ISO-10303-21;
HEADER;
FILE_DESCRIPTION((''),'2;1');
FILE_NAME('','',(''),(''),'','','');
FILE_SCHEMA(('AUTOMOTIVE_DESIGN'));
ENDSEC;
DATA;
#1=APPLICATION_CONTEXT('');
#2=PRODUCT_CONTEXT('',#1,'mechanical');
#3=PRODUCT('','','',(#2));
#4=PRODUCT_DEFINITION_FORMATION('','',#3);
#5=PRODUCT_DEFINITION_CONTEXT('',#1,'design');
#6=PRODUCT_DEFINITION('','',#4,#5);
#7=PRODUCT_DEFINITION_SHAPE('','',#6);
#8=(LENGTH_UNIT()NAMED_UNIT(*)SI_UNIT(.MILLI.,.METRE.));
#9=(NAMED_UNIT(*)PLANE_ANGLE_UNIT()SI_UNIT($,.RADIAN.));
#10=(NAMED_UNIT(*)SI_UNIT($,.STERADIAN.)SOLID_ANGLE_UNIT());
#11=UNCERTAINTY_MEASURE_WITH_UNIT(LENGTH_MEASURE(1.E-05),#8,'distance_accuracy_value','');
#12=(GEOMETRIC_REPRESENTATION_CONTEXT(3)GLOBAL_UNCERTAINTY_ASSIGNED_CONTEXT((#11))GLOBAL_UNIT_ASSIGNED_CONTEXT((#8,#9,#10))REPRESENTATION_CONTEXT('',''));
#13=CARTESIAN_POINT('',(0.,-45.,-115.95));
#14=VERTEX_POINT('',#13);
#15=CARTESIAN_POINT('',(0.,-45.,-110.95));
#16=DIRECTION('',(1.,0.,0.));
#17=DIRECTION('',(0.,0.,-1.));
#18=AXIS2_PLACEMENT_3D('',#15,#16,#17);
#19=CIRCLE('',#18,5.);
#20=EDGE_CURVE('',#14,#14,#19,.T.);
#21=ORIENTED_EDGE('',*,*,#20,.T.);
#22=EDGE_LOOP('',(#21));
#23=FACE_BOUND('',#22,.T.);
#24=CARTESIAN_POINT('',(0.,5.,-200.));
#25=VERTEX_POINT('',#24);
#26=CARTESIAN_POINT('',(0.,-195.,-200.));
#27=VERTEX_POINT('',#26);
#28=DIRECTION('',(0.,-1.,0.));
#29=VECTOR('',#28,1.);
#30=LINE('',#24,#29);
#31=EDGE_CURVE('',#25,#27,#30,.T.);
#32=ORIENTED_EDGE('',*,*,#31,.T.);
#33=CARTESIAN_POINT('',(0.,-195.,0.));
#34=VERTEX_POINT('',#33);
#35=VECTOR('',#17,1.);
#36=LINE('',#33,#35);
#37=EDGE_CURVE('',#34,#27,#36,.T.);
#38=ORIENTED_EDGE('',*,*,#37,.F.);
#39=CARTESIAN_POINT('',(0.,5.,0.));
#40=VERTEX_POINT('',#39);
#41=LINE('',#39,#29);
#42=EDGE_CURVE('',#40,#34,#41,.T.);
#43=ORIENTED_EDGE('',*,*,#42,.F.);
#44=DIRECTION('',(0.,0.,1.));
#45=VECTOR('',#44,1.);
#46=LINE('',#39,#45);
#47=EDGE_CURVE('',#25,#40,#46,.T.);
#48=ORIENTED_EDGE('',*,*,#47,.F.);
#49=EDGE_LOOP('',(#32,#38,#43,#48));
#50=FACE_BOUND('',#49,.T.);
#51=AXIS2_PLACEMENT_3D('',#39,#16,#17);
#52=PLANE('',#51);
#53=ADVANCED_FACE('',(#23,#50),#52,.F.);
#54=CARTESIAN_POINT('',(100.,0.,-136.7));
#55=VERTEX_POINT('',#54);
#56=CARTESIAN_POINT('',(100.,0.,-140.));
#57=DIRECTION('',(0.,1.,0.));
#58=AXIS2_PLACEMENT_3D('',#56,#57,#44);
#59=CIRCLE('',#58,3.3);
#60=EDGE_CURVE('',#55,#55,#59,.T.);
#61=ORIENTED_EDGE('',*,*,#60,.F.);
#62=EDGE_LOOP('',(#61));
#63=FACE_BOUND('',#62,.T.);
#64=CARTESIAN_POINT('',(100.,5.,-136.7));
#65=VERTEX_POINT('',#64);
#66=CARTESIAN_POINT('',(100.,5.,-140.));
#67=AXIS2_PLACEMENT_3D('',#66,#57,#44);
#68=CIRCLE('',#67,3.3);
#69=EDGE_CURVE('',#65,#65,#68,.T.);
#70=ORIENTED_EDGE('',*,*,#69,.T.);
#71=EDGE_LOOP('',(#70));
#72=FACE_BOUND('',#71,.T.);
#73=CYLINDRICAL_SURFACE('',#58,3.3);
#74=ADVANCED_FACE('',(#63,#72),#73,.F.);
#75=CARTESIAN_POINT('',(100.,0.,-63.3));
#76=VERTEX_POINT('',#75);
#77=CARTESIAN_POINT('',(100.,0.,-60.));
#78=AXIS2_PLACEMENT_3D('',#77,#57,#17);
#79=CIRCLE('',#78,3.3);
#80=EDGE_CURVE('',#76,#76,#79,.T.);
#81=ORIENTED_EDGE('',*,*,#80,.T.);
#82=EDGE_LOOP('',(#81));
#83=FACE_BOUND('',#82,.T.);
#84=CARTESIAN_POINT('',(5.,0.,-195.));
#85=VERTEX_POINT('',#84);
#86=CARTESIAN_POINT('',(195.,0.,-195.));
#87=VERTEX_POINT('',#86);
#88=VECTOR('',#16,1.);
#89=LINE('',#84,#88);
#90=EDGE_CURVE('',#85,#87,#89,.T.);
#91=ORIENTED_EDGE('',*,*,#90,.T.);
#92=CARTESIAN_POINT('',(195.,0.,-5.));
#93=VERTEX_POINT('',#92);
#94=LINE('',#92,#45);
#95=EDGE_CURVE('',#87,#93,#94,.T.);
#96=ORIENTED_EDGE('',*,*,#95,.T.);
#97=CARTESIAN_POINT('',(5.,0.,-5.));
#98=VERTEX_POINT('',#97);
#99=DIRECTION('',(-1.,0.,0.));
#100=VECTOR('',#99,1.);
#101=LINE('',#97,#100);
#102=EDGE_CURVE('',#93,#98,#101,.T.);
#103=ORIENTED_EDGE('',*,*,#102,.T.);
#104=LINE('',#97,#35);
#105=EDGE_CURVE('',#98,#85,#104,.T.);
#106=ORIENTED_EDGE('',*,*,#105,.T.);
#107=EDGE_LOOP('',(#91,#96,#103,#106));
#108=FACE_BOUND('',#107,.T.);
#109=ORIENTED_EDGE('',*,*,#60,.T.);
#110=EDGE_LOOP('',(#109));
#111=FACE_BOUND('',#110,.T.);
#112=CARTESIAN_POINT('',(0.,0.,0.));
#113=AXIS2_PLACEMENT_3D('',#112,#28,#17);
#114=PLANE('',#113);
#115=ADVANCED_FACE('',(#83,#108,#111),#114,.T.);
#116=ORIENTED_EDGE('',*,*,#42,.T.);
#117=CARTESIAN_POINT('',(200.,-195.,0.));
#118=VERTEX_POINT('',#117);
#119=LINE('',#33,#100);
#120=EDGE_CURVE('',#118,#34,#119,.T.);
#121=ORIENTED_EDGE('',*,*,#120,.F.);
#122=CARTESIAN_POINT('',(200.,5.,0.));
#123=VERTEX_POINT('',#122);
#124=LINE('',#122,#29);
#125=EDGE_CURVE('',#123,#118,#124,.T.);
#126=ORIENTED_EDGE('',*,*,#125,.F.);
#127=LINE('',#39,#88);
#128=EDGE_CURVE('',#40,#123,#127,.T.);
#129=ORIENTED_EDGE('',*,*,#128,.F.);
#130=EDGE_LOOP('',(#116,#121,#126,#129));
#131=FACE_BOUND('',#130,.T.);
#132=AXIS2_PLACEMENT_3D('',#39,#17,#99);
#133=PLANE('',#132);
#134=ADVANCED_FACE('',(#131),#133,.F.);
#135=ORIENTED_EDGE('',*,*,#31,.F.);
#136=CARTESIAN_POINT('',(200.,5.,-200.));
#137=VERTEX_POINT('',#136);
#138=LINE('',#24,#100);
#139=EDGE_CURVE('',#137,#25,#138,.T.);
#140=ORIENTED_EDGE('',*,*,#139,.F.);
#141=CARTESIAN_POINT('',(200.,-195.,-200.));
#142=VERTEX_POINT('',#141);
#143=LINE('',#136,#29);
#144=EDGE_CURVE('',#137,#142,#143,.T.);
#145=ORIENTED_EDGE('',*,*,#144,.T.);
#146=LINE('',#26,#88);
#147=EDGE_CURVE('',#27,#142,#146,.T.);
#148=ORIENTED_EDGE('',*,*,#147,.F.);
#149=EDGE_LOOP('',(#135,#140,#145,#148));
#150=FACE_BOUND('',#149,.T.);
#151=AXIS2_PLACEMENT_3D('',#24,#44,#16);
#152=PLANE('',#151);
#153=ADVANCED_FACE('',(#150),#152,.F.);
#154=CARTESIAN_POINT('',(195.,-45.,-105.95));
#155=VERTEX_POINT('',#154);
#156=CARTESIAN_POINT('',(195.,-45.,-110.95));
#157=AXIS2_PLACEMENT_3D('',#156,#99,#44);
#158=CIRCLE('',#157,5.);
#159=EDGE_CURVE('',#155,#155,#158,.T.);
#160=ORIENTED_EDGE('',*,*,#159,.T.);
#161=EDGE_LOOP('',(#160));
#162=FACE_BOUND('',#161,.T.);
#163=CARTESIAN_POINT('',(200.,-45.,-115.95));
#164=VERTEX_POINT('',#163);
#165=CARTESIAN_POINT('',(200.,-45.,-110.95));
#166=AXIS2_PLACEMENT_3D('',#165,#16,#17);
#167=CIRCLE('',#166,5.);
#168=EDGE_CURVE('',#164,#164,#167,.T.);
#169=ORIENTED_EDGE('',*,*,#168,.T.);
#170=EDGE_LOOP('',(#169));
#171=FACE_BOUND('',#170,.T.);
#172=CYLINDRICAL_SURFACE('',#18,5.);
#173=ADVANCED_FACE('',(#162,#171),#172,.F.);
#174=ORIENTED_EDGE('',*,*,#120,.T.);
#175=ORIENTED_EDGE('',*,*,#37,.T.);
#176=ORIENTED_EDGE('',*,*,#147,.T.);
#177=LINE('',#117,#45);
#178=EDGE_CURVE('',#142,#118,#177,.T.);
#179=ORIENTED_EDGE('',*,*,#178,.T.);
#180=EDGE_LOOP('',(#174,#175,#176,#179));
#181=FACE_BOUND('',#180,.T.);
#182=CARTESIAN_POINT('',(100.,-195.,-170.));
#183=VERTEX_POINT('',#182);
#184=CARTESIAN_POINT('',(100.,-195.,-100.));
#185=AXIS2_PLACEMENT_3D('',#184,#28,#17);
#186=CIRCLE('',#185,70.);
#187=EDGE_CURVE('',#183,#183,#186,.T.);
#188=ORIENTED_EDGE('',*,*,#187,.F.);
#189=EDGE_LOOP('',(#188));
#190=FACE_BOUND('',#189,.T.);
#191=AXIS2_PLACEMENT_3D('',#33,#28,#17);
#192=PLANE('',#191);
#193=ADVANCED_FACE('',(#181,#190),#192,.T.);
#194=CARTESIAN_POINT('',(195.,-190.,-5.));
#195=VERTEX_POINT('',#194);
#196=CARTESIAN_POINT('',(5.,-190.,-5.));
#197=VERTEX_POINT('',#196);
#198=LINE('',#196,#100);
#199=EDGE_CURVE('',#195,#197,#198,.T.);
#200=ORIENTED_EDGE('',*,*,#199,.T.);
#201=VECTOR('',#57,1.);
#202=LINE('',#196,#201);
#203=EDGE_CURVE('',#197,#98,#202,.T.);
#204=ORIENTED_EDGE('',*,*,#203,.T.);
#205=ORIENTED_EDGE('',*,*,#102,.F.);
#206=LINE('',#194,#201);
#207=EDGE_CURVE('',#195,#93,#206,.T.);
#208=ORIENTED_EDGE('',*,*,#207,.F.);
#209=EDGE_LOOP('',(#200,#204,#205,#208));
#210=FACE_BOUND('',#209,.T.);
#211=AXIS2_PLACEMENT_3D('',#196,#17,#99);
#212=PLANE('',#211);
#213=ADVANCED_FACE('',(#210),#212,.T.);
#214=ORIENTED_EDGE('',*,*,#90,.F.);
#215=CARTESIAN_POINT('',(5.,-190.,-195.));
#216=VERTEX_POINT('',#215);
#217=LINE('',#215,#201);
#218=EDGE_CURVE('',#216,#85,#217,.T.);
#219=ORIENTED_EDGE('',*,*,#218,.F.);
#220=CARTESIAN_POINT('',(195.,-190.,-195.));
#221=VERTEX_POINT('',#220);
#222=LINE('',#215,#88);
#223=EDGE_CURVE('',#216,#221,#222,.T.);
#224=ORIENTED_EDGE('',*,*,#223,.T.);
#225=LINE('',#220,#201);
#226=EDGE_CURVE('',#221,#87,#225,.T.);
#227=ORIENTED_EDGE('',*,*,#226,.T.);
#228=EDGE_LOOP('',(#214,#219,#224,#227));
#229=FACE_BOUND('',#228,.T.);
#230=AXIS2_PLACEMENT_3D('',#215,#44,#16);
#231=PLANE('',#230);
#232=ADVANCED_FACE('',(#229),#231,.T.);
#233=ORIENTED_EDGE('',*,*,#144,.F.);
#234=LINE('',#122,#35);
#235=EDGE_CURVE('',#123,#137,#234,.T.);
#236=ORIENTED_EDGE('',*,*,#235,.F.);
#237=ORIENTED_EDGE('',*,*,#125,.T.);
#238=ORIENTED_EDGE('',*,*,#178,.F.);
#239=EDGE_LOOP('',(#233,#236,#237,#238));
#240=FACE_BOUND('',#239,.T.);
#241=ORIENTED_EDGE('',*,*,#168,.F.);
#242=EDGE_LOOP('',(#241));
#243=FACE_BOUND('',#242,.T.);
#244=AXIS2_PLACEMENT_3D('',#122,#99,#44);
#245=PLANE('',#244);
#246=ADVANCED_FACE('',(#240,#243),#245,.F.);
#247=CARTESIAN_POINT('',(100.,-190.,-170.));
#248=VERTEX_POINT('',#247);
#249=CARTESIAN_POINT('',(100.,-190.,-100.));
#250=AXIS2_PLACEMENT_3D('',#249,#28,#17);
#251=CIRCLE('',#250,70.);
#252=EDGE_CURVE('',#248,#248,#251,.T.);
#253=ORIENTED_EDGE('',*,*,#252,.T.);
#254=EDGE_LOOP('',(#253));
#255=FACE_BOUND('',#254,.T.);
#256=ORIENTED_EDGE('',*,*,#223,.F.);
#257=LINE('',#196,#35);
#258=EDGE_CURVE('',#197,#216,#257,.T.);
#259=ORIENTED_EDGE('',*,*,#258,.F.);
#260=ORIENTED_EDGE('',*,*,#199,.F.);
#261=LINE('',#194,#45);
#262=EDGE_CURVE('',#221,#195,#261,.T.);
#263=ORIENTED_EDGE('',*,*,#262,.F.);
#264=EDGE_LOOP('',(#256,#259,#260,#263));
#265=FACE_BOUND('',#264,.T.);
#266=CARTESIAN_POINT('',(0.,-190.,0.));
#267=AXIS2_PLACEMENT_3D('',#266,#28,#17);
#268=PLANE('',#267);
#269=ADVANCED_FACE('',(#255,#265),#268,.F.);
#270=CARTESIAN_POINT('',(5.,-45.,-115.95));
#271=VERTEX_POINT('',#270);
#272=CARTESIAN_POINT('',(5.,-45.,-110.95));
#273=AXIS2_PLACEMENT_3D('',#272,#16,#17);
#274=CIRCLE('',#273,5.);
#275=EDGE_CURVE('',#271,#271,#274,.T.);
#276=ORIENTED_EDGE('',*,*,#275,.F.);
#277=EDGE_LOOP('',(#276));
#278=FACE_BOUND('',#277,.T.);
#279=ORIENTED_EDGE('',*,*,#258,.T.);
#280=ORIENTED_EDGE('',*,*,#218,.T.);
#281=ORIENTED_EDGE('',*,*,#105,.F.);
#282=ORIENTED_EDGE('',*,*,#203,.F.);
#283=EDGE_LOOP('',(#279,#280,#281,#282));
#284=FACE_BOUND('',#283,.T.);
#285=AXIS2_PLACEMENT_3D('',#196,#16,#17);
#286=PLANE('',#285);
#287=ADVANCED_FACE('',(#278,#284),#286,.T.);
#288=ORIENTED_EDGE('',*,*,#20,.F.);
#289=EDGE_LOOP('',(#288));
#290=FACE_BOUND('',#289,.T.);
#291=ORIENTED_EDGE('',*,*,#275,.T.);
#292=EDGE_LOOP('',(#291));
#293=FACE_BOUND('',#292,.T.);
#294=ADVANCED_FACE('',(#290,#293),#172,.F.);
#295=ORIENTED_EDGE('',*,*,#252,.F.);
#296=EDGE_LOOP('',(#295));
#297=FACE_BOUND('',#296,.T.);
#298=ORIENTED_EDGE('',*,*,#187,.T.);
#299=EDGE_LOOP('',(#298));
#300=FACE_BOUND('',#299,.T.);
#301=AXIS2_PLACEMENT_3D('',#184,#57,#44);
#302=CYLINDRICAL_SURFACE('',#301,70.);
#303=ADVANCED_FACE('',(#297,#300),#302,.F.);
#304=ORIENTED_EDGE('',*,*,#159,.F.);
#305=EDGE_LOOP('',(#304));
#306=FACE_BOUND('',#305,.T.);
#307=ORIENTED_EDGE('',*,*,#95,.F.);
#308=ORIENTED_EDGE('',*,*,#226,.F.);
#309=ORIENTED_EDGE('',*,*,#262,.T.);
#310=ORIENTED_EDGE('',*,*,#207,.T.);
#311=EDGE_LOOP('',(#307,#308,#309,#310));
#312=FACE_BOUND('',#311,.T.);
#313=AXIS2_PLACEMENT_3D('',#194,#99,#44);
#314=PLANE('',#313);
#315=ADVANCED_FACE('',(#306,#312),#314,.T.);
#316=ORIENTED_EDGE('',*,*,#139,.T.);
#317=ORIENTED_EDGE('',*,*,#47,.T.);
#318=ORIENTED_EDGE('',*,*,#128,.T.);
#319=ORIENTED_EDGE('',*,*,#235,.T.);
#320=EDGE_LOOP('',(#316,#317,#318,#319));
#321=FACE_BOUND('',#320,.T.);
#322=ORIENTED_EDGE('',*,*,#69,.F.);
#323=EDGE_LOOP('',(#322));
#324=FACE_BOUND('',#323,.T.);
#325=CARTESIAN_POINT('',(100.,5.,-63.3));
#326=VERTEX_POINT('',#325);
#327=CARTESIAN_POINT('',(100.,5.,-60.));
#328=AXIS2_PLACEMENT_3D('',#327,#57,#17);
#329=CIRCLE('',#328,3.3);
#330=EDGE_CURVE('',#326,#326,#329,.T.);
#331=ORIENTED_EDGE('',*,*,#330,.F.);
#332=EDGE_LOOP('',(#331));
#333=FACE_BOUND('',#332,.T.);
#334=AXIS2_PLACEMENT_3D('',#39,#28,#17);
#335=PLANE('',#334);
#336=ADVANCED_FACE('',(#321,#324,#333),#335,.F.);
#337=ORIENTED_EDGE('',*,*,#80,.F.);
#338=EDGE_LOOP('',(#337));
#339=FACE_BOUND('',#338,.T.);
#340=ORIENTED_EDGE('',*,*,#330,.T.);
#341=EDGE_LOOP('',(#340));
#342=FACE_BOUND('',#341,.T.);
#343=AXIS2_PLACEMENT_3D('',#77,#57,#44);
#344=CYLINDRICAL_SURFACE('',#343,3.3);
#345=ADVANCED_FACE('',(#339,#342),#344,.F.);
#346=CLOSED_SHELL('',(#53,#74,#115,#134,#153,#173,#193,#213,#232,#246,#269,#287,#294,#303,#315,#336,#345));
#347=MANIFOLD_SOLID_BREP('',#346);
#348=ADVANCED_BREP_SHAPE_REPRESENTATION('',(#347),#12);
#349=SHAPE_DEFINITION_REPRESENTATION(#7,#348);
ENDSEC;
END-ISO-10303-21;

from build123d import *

# Parameters (mm, degrees)
SKETCH_1_W          = 200
SKETCH_1_H          = 200
EXTRUDE_1_DEPTH     = 5
SKETCH_3_W          = 200
SKETCH_3_H          = 200
SKETCH_3_W_2        = 190
SKETCH_3_H_2        = 190
EXTRUDE_2_DEPTH     = 190
SKETCH_4_W          = 200
SKETCH_4_H          = 200
SKETCH_4_R          = 70
EXTRUDE_3_DEPTH     = 5
SKETCH_5_R          = 3.3
CUT_EXTRUDE_1_DEPTH = 5
SKETCH_7_R          = 5
CUT_EXTRUDE_2_DEPTH = 344.547667726


with BuildPart() as part:
    # 草图1 → 凸台-拉伸1 (new body)
    with BuildSketch(Plane(origin=(0, 0, 0), x_dir=(1, 0, 0), z_dir=(0, 1, 0))):
        with Locations((100, 100)):
            Rectangle(SKETCH_1_W, SKETCH_1_H)
    extrude(amount=EXTRUDE_1_DEPTH)

    # 草图3 → 凸台-拉伸2 (add)
    with BuildSketch(Plane.XZ):
        with Locations((100, -100)):
            Rectangle(SKETCH_3_W, SKETCH_3_H)
        with Locations((100, -100)):
            Rectangle(SKETCH_3_W_2, SKETCH_3_H_2, mode=Mode.SUBTRACT)
    extrude(amount=EXTRUDE_2_DEPTH)

    # 草图4 → 凸台-拉伸3 (add)
    with BuildSketch(Plane.XZ.offset(190)):
        with Locations((100, -100)):
            Rectangle(SKETCH_4_W, SKETCH_4_H)
        with Locations(Location((100, -100, 0), (0, 0, 270))):
            Circle(SKETCH_4_R, mode=Mode.SUBTRACT)
    extrude(amount=EXTRUDE_3_DEPTH)

    # 草图5 → 切除-拉伸1 (cut)
    with BuildSketch(Plane(origin=(0, 5, 0), x_dir=(1, 0, 0), z_dir=(0, 1, 0))):
        with Locations(Location((100, 140, 0), (0, 0, 270))):
            Circle(SKETCH_5_R)
        with Locations(Location((100, 60, 0), (0, 0, 90))):
            Circle(SKETCH_5_R)
    extrude(amount=-CUT_EXTRUDE_1_DEPTH, mode=Mode.SUBTRACT)

    # 草图7 → 切除-拉伸2 (cut, through all)
    with BuildSketch(Plane(origin=(200, 0, 0), x_dir=(0, 0, -1), z_dir=(1, 0, 0))):
        with Locations((110.95, -45)):
            Circle(SKETCH_7_R)
    extrude(amount=-CUT_EXTRUDE_2_DEPTH, mode=Mode.SUBTRACT)


solid = part.part
